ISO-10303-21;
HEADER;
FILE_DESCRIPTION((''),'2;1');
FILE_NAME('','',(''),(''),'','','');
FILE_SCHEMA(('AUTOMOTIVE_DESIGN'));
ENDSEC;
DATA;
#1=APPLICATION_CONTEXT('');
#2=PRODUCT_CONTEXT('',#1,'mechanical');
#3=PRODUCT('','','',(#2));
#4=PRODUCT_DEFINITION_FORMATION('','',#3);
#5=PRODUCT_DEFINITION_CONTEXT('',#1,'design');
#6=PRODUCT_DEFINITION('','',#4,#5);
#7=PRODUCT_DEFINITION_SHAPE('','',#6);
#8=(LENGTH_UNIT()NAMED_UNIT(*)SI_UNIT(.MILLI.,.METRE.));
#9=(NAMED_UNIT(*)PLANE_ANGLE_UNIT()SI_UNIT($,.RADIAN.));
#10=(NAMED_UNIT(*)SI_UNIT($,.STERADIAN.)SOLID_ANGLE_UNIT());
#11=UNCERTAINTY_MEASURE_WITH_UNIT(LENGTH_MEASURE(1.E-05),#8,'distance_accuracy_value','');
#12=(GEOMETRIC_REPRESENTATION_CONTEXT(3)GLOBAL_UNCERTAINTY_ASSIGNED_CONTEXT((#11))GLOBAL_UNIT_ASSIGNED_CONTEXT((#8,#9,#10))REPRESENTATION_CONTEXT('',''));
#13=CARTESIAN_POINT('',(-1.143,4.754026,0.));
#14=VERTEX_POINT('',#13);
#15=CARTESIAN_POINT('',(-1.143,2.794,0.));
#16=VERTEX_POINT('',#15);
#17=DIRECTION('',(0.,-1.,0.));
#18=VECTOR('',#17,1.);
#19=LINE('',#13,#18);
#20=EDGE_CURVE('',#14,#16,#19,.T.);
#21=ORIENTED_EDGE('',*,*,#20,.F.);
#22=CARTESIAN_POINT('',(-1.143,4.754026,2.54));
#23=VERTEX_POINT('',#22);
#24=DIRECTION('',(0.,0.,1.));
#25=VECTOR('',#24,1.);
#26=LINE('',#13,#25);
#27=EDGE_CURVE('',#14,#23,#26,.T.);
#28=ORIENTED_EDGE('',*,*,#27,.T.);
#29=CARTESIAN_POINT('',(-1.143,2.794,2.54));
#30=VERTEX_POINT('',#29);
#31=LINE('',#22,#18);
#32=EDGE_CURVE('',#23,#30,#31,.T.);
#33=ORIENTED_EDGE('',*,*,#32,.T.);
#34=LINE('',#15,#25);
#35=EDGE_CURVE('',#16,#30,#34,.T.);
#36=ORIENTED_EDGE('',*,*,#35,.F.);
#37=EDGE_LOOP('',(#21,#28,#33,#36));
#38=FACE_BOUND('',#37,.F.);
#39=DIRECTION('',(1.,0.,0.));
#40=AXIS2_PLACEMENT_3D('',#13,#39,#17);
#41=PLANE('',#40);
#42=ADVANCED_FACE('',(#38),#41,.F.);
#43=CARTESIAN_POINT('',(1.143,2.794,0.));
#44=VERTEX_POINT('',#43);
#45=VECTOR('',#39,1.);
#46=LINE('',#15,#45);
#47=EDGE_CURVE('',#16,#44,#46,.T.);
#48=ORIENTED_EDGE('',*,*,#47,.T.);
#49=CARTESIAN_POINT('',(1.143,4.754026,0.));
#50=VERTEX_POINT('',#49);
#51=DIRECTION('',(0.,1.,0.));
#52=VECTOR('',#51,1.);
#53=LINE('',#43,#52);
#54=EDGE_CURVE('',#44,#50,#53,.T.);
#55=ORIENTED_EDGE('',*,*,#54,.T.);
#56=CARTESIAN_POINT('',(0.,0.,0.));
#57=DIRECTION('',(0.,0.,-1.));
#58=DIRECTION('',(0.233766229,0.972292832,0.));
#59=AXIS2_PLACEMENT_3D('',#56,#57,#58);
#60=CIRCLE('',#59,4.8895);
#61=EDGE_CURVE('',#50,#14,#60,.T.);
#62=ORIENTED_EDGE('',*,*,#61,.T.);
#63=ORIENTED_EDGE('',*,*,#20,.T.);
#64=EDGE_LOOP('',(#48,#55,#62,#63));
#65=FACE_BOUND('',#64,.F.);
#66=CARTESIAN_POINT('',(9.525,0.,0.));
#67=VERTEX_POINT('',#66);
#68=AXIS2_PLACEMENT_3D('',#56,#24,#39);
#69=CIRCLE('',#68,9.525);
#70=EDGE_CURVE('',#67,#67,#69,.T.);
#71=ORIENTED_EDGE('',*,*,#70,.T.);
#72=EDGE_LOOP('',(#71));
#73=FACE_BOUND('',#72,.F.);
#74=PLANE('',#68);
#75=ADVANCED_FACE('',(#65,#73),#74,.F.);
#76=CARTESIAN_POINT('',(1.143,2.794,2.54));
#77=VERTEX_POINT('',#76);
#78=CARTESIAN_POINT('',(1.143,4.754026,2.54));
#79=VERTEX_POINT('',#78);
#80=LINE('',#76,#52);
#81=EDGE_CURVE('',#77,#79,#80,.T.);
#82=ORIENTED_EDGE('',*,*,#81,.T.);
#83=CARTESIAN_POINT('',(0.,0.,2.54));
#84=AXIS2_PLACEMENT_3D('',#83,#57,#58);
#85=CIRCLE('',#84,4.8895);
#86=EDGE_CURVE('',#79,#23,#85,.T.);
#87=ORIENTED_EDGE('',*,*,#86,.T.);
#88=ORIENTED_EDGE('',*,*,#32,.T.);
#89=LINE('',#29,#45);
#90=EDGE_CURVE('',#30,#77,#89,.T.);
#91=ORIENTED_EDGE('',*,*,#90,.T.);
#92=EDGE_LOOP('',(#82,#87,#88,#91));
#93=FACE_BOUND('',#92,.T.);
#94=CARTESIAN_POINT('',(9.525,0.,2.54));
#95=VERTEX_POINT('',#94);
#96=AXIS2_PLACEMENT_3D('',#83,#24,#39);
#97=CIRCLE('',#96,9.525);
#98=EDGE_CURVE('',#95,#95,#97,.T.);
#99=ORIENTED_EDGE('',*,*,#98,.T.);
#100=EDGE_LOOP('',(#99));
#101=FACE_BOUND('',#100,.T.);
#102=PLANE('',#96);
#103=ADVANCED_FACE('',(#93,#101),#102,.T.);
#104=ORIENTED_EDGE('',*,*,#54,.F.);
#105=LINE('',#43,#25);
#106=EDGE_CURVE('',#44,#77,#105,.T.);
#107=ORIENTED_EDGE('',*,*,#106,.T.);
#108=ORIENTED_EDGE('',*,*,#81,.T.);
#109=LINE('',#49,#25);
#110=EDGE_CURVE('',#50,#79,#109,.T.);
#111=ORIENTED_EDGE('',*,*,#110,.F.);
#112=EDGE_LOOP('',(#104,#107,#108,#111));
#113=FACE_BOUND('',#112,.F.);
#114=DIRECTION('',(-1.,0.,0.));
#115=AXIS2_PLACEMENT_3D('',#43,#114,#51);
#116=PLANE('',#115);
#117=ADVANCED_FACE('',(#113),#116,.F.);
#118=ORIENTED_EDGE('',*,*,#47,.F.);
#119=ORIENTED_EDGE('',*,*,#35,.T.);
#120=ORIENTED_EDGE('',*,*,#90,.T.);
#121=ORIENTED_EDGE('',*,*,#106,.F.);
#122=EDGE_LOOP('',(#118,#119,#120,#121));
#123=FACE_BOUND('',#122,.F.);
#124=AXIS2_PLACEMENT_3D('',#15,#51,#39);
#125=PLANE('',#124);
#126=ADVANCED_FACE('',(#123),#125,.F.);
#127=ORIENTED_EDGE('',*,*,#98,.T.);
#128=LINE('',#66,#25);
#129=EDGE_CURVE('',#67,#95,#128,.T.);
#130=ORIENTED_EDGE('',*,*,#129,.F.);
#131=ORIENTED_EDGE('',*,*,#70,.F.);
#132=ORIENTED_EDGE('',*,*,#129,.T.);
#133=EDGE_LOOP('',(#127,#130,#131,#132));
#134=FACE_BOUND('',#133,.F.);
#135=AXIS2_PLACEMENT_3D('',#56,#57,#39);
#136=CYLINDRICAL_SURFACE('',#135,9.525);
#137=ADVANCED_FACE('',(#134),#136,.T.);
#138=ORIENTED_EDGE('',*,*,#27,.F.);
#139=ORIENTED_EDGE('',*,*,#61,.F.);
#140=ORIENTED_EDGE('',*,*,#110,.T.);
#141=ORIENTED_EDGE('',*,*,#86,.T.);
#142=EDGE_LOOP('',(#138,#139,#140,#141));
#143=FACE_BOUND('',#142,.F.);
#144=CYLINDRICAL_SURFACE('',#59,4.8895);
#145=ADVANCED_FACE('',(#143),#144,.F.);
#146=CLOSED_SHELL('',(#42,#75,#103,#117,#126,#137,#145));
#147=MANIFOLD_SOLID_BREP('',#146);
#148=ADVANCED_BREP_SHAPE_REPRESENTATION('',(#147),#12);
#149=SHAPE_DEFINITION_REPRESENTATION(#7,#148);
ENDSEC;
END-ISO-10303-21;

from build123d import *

# Parameters (mm, degrees)
F0_R     = 9.525
F1_DEPTH = 2.54


with BuildPart() as f1:
    # F0 (on Top) → F1 (new body)
    with BuildSketch(Plane.XY):
        Circle(F0_R)
        with BuildLine():
            ThreePointArc((1.143, 4.754026), (0, -4.8895), (-1.143, 4.754026))
            Line((-1.143, 4.754026), (-1.143, 2.794))
            Line((-1.143, 2.794), (1.143, 2.794))
            Line((1.143, 2.794), (1.143, 4.754026))
        make_face(mode=Mode.SUBTRACT)
    extrude(amount=F1_DEPTH)


solid = f1.part
